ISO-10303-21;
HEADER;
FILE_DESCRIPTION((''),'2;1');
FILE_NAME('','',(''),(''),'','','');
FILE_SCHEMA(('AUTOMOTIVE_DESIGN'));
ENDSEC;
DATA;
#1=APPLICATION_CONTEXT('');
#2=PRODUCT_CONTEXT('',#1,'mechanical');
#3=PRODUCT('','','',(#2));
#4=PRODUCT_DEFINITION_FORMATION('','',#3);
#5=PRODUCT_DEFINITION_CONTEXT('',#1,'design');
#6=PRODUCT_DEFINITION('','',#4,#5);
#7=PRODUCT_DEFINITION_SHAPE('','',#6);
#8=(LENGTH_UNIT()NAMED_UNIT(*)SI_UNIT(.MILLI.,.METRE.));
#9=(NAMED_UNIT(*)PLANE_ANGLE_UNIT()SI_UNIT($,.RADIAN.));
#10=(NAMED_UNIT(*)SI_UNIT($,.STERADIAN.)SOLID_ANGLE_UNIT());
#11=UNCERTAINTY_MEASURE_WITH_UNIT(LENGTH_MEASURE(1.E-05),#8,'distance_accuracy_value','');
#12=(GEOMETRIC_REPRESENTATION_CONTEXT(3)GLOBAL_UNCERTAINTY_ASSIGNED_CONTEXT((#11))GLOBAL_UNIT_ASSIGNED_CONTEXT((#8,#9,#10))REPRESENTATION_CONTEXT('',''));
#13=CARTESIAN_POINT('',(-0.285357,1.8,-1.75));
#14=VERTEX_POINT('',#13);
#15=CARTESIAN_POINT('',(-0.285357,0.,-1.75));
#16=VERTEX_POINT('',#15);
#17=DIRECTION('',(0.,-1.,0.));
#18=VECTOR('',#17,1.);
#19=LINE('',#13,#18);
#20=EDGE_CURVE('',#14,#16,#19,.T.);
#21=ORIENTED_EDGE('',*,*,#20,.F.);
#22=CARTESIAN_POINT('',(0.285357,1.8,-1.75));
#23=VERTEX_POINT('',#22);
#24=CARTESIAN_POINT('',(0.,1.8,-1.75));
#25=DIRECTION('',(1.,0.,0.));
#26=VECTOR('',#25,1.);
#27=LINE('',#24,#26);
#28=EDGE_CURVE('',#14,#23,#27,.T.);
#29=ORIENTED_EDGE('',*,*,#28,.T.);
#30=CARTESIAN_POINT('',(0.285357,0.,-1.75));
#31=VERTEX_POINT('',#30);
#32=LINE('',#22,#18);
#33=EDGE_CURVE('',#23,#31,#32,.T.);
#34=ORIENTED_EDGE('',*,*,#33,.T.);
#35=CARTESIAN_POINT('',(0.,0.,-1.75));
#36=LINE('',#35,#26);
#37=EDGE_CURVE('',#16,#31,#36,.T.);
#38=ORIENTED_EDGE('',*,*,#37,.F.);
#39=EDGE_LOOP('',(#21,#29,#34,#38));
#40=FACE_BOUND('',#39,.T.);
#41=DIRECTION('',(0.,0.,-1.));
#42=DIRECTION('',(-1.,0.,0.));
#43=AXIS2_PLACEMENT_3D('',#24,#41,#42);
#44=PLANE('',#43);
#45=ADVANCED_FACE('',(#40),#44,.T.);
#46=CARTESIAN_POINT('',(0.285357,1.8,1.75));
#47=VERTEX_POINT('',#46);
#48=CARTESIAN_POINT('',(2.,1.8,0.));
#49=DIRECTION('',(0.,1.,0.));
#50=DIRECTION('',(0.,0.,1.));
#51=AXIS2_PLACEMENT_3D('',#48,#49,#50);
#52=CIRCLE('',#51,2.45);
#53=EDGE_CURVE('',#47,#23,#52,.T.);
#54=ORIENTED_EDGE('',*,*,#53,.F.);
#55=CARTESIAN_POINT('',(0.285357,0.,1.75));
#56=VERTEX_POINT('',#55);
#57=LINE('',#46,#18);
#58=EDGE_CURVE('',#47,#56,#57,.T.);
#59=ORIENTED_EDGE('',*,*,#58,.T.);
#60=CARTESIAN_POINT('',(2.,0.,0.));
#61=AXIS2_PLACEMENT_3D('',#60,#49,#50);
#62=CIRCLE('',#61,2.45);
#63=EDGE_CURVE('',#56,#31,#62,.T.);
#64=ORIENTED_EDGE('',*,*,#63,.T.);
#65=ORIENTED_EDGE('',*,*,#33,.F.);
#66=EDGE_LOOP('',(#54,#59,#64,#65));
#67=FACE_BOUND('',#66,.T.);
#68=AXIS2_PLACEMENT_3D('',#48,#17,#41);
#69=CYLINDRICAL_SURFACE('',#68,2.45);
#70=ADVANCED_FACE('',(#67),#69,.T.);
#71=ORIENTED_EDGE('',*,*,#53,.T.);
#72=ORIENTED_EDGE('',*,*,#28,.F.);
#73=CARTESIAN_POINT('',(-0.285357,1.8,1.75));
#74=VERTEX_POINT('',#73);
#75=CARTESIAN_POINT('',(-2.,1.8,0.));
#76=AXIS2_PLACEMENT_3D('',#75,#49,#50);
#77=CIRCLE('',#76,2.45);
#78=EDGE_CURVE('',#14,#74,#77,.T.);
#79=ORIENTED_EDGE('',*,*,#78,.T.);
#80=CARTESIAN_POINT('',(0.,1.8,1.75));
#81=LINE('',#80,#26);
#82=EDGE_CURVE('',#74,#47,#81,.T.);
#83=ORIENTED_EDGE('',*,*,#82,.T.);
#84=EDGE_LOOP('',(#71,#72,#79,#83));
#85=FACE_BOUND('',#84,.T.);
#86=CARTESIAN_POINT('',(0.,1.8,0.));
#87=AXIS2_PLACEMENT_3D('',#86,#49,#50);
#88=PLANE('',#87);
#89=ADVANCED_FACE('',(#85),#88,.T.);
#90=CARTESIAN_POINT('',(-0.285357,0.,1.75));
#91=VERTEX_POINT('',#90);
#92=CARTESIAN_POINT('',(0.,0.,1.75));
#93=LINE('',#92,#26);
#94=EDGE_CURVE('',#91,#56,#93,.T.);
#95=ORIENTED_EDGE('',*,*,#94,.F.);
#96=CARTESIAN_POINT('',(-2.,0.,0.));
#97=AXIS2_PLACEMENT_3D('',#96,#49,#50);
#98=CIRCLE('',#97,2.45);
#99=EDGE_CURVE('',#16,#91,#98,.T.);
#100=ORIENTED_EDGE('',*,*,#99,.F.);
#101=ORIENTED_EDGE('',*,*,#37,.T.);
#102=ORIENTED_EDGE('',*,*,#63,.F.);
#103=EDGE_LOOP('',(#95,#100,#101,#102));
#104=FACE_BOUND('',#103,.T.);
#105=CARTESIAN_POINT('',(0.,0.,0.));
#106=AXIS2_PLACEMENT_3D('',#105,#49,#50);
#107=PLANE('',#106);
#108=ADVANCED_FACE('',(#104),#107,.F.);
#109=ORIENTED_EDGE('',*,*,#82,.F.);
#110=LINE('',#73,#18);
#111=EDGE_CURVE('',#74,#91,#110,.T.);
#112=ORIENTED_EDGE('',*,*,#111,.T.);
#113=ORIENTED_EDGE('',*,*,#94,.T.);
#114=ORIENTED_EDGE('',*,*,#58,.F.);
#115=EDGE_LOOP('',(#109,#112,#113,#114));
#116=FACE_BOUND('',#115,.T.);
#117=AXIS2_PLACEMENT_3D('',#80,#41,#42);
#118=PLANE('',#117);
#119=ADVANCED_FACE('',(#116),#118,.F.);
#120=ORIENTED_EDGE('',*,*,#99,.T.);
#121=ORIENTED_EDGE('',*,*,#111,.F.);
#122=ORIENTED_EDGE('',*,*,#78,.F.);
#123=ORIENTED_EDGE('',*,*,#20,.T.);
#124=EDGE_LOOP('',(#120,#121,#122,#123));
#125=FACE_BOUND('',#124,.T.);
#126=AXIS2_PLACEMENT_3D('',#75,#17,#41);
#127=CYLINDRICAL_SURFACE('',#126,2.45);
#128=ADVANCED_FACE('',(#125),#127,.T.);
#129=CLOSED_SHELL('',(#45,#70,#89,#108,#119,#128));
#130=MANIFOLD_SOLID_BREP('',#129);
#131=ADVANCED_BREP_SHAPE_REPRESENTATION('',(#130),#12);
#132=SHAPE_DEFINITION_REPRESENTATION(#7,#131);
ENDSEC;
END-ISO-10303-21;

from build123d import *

# Parameters (mm, degrees)
EXTRUDE_1_DEPTH = 1.8


with BuildPart() as part:
    # 草图1 → 凸台-拉伸1 (new body)
    with BuildSketch(Plane(origin=(0, 0, 0), x_dir=(1, 0, 0), z_dir=(0, 1, 0))):
        with BuildLine():
            Line((-0.28535718, -1.75), (0.28535718, -1.75))
            ThreePointArc((0.28535718, -1.75), (4.45, 0), (0.28535718, 1.75))
            Line((0.28535718, 1.75), (-0.28535718, 1.75))
            ThreePointArc((-0.28535718, 1.75), (-4.45, 0), (-0.28535718, -1.75))
        make_face()
    extrude(amount=EXTRUDE_1_DEPTH)


solid = part.part
